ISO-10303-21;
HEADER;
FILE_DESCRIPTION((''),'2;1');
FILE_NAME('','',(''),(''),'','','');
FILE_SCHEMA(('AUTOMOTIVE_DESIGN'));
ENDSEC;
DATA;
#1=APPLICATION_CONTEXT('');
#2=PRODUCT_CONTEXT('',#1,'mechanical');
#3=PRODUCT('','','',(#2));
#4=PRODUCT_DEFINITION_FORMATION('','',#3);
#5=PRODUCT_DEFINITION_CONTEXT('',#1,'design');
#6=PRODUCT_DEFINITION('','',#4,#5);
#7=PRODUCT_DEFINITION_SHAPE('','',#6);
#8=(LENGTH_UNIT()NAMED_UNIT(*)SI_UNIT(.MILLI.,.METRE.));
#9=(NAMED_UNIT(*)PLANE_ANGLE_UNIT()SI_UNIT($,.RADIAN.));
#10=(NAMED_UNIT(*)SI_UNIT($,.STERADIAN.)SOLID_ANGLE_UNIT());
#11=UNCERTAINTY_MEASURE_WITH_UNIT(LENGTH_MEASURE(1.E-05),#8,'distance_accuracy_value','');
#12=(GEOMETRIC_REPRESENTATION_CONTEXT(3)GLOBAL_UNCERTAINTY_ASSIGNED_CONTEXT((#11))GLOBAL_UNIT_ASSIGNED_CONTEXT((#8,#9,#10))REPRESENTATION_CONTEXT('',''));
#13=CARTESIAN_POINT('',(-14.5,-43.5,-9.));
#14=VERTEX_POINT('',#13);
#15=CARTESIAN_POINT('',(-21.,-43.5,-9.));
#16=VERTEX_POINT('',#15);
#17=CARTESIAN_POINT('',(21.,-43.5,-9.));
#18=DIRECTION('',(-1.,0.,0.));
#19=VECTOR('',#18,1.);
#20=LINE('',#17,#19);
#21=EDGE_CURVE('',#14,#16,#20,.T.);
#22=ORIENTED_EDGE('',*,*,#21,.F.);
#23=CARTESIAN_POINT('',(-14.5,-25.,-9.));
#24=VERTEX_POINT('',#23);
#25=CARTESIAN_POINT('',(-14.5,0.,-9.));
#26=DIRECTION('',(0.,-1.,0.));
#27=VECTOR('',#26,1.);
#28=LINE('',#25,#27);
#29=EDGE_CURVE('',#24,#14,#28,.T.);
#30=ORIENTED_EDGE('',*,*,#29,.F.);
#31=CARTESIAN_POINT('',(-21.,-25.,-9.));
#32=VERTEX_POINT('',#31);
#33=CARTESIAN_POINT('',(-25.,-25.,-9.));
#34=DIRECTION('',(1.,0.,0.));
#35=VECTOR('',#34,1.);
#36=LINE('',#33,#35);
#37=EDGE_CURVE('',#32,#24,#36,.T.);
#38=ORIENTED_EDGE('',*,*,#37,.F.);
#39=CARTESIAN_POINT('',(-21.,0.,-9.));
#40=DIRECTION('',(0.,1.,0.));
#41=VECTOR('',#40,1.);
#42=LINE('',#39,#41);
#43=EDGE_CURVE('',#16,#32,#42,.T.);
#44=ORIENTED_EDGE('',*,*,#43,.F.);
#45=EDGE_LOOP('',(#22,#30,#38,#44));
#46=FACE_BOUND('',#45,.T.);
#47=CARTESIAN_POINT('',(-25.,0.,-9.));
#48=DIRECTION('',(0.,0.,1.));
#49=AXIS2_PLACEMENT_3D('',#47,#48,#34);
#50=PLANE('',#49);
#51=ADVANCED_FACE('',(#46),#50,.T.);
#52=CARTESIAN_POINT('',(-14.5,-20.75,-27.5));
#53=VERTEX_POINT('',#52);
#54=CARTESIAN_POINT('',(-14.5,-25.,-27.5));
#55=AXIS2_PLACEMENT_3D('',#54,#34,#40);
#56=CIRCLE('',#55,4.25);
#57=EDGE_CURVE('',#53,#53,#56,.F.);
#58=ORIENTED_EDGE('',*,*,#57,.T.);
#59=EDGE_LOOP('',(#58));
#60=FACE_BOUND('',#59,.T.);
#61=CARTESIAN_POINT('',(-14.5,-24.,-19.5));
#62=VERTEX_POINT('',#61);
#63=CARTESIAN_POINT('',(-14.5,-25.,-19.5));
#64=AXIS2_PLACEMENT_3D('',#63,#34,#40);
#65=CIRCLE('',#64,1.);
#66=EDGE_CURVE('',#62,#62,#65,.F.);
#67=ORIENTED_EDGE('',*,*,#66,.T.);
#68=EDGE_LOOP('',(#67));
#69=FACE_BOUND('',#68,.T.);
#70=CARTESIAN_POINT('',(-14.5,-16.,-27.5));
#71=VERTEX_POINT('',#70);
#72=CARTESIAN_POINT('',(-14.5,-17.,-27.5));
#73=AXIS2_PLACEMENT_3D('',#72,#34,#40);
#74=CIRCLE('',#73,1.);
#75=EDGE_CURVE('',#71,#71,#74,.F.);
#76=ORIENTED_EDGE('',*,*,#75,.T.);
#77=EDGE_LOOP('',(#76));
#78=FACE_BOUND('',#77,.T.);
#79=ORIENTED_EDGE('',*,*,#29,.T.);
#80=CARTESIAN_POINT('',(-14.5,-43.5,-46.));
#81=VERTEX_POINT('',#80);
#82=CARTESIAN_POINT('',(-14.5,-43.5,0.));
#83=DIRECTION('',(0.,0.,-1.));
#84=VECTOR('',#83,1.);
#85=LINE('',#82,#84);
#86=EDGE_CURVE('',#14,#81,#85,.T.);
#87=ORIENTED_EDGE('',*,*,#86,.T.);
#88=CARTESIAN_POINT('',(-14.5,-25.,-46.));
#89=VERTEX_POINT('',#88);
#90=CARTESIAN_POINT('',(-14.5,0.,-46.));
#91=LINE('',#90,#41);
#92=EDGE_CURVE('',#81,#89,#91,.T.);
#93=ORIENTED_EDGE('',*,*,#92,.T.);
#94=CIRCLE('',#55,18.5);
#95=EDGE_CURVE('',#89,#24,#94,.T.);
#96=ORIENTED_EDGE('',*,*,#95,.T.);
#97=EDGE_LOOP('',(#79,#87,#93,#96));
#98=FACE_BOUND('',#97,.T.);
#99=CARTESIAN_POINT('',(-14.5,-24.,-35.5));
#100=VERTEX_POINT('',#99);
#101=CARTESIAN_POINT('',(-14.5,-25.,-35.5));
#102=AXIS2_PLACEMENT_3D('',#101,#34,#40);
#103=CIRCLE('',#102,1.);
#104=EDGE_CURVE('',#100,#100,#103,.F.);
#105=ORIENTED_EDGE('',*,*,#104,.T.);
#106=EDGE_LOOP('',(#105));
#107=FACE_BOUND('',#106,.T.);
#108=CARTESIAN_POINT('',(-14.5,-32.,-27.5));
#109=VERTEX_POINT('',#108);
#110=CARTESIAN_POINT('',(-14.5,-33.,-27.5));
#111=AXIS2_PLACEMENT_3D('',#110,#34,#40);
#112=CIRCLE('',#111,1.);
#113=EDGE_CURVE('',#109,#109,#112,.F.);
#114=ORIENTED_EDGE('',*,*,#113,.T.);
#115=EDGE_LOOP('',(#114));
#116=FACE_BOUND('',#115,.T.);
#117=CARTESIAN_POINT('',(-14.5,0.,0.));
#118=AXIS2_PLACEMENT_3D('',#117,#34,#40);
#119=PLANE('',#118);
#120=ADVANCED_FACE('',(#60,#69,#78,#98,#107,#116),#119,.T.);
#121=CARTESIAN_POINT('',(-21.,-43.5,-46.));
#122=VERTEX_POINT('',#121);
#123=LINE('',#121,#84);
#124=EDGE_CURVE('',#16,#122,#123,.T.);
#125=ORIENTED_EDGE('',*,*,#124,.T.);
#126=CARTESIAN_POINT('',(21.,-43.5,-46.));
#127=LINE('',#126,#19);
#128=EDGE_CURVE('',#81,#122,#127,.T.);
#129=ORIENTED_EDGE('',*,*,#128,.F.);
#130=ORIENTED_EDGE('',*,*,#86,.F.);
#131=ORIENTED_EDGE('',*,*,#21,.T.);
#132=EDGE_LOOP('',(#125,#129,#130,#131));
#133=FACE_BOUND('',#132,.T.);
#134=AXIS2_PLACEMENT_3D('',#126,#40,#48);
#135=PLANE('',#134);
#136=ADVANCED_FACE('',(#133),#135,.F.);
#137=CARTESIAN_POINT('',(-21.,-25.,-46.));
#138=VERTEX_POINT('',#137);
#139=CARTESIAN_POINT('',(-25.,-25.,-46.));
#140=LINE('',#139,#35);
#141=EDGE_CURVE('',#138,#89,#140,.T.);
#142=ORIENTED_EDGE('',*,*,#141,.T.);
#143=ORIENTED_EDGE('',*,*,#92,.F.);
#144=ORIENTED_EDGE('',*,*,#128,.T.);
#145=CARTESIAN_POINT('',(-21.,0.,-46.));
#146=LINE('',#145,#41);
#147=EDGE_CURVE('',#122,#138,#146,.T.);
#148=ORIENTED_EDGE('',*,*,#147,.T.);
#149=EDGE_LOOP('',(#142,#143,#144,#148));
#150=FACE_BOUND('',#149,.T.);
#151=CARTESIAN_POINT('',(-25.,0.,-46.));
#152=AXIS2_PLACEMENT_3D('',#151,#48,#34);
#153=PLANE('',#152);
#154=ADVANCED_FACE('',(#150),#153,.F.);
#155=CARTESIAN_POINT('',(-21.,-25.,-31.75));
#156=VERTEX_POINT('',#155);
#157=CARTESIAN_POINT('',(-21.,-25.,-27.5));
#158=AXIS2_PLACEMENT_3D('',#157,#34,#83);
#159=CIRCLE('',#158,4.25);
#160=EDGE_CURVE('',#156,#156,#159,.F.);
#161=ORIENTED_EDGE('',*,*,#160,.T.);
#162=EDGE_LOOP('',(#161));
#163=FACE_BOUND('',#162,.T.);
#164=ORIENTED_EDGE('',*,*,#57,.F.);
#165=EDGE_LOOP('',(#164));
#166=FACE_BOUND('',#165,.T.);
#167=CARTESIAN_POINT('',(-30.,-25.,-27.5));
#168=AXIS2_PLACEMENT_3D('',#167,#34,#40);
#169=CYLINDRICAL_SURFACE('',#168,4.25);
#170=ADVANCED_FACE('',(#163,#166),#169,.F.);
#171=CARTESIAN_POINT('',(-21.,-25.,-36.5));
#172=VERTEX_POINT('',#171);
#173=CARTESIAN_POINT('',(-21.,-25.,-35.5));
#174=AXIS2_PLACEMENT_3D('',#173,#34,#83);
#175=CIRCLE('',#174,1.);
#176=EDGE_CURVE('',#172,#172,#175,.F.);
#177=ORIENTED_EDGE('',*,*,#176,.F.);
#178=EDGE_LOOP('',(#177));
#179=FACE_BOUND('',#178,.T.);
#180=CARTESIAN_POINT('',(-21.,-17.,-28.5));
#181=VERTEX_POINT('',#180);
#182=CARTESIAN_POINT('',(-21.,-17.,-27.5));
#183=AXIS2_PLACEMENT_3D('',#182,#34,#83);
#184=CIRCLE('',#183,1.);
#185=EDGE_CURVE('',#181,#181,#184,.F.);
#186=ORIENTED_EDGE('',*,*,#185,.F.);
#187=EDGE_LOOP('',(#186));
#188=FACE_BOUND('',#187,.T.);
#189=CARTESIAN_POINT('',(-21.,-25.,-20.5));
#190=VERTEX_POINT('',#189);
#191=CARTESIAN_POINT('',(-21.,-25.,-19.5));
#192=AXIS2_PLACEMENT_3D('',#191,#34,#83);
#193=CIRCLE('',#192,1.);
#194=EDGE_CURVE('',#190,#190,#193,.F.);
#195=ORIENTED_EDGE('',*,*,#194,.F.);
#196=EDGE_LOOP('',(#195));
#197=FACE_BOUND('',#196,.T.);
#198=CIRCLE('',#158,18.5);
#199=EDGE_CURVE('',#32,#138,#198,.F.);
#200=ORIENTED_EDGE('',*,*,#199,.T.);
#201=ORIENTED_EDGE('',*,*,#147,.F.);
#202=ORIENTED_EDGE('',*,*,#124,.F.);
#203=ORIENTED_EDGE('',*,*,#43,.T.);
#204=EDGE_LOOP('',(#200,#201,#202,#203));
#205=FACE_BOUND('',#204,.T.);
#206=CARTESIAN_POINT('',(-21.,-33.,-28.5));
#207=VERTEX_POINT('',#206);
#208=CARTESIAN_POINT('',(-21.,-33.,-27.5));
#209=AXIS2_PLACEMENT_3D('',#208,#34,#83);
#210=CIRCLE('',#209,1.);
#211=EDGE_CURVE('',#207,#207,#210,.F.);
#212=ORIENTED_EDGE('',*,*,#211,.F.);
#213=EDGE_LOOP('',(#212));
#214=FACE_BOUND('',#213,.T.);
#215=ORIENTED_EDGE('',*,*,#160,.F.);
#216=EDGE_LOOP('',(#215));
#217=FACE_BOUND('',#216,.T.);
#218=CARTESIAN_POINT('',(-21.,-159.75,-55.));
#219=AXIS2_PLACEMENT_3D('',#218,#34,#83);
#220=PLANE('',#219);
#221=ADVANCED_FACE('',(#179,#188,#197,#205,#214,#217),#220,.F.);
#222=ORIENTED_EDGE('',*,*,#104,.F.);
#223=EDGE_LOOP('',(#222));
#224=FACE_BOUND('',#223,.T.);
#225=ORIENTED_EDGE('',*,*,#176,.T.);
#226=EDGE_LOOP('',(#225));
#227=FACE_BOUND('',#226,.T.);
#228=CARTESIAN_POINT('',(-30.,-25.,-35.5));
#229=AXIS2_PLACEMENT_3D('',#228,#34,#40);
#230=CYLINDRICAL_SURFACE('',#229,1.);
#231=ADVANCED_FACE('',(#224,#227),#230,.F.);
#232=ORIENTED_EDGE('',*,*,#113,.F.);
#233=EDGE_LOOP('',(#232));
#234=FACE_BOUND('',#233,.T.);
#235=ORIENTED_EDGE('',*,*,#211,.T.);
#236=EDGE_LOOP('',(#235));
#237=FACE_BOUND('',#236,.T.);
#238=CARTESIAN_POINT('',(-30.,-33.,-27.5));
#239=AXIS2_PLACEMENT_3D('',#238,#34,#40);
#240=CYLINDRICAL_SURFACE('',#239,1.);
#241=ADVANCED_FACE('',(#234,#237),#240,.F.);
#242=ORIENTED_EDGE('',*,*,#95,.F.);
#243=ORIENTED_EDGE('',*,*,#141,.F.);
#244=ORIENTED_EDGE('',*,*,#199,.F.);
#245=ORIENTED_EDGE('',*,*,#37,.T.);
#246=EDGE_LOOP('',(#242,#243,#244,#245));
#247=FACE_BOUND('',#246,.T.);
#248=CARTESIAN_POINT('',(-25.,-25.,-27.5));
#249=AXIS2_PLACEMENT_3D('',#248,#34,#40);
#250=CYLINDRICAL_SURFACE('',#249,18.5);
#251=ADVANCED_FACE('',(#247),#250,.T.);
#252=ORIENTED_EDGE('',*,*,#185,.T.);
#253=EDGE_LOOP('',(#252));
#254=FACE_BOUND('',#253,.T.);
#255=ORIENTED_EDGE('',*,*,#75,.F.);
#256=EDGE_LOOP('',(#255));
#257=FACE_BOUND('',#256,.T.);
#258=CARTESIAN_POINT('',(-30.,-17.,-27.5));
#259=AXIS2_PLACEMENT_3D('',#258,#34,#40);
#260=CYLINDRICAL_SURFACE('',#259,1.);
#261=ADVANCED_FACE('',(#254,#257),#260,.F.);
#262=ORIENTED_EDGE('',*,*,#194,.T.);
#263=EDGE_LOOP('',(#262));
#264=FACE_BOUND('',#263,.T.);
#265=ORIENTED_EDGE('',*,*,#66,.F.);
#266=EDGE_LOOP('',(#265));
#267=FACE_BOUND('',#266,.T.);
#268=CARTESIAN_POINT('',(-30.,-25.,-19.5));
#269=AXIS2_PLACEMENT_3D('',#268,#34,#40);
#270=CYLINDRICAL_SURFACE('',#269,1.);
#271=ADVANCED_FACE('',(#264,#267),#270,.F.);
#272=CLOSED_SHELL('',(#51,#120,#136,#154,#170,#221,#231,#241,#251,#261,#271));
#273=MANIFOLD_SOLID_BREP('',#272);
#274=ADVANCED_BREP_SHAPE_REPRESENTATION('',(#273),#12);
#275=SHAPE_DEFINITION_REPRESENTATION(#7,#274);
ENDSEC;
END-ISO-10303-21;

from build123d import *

# Parameters (mm, degrees)
SKETCH1_W               = 50
SKETCH1_H               = 150
BOSS_EXTRUDE1_DEPTH     = 55
CUT_EXTRUDE1_DEPTH      = 168.406690428
CUT_EXTRUDE1_DEPTH_BACK = 45
SKETCH2_R               = 10.25
SKETCH7_R               = 1
SKETCH7_R_2             = 4.25
CUT_EXTRUDE3_DEPTH      = 10
SKETCH8_W               = 55
SKETCH8_H               = 55
SKETCH8_R               = 10.25
BOSS_EXTRUDE2_DEPTH     = 50
SKETCH10_W              = 8
SKETCH10_H              = 10.25
SKETCH10_W_2            = 17
SKETCH10_H_2            = 1
SKETCH10_W_3            = 34
SKETCH10_H_3            = 20
SKETCH10_H_4            = 5
CUT_EXTRUDE4_DEPTH      = 214.717102732
SKETCH11_W              = 34
SKETCH11_H              = 13.25
BOSS_EXTRUDE4_DEPTH     = 25
SKETCH13_W              = 55
SKETCH13_H              = 10
CUT_EXTRUDE5_DEPTH      = 8
SKETCH14_R              = 5.030159043
CUT_EXTRUDE6_DEPTH      = 8
SKETCH15_W              = 34
SKETCH15_H              = 0.25
BOSS_EXTRUDE5_DEPTH     = 13.25
CUT_EXTRUDE7_DEPTH      = 181.416185527
BOSS_EXTRUDE6_START     = 1.5
SKETCH19_R              = 10.25
SKETCH19_R_2            = 1
SKETCH19_R_3            = 4.25
BOSS_EXTRUDE6_DEPTH     = 1.5
CUT_EXTRUDE8_DEPTH      = 184.89467094
SKETCH21_R              = 5.030159043
SKETCH21_R_2            = 4.5
BOSS_EXTRUDE7_DEPTH     = 8
SKETCH24_W              = 4
SKETCH24_H              = 30
CUT_EXTRUDE10_DEPTH     = 181.416185527
SKETCH25_W              = 55
SKETCH25_H              = 86.25
CUT_EXTRUDE11_DEPTH     = 4
BOSS_EXTRUDE8_START     = 4
SKETCH26_R              = 1
SKETCH26_R_2            = 4.25
BOSS_EXTRUDE8_DEPTH     = 4
SKETCH27_W              = 4
SKETCH27_H              = 123.25
CUT_EXTRUDE12_DEPTH     = 181.416185527
CUT_EXTRUDE13_DEPTH     = 180.905530765
SKETCH29_W              = 42
SKETCH29_H              = 9
CUT_EXTRUDE15_DEPTH     = 174.776436838
SKETCH30_R              = 4.5
SKETCH30_R_2            = 1.45
BOSS_EXTRUDE9_DEPTH     = 4
SKETCH31_W              = 37
SKETCH31_H              = 55
CUT_EXTRUDE16_DEPTH     = 182.05247858
SKETCH32_W              = 73.968301754
SKETCH32_H              = 92.223299302
CUT_EXTRUDE17_DEPTH     = 182.05247858


with BuildPart() as part:
    # Sketch1 → Boss-Extrude1 (new body)
    with BuildSketch(Plane.XY):
        with Locations((0, -75)):
            Rectangle(SKETCH1_W, SKETCH1_H)
    extrude(amount=-BOSS_EXTRUDE1_DEPTH)

    # Sketch2 → Cut-Extrude1 (cut, two sides: drawn at the far end of the back side and taken through both)
    with BuildSketch(Plane(origin=(25, 0, 0), x_dir=(0, 0, -1), z_dir=(1, 0, 0)).offset(-CUT_EXTRUDE1_DEPTH_BACK)):
        with Locations(Location((27.5, -25, 0), (0, 0, 270))):
            Circle(SKETCH2_R)
    extrude(amount=CUT_EXTRUDE1_DEPTH + CUT_EXTRUDE1_DEPTH_BACK, mode=Mode.SUBTRACT)

    # Sketch7 → Cut-Extrude3 (cut)
    with BuildSketch(Plane(origin=(-20, 0, 0), x_dir=(0, 0, -1), z_dir=(1, 0, 0))):
        with Locations(Location((27.5, -17, 0), (0, 0, 90))):
            Circle(SKETCH7_R)
        with Locations(Location((35.5, -25, 0), (0, 0, 90))):
            Circle(SKETCH7_R)
        with Locations(Location((27.5, -33, 0), (0, 0, 90))):
            Circle(SKETCH7_R)
        with Locations(Location((19.5, -25, 0), (0, 0, 90))):
            Circle(SKETCH7_R)
        with Locations(Location((27.5, -25, 0), (0, 0, 90))):
            Circle(SKETCH7_R_2)
    extrude(amount=-CUT_EXTRUDE3_DEPTH, mode=Mode.SUBTRACT)

    # Sketch8 → Boss-Extrude2 (add)
    with BuildSketch(Plane(origin=(25, 0, 0), x_dir=(0, 0, -1), z_dir=(1, 0, 0))):
        with Locations((27.5, -177.5)):
            Rectangle(SKETCH8_W, SKETCH8_H)
        with Locations(Location((27.5, -180, 0), (0, 0, 90))):
            Circle(SKETCH8_R, mode=Mode.SUBTRACT)
    extrude(amount=-BOSS_EXTRUDE2_DEPTH)

    # Sketch10 → Cut-Extrude4 (cut, through all)
    with BuildSketch(Plane.XY):
        Polygon((-17, -205), (17, -205), (17, -191.25), (0, -191.25), (-17, -191.25), align=None)
        Polygon((-25, -205), (-17, -205), (-17, -191.25), (-17, -190.25), (-25, -190.25), align=None)
        Polygon((17, -191.25), (17, -205), (25, -205), (25, -190.25), (17, -190.25), align=None)
        with Locations((-21, -185.125)):
            Rectangle(SKETCH10_W, SKETCH10_H)
        with Locations((-21, -174.875)):
            Rectangle(SKETCH10_W, SKETCH10_H)
        with Locations((21, -174.875)):
            Rectangle(SKETCH10_W, SKETCH10_H)
        with Locations((21, -185.125)):
            Rectangle(SKETCH10_W, SKETCH10_H)
        with Locations((-8.5, -185.125)):
            Rectangle(SKETCH10_W_2, SKETCH10_H)
        with Locations((8.5, -185.125)):
            Rectangle(SKETCH10_W_2, SKETCH10_H)
        Polygon((0, -180), (17, -180), (17, -169.75), (-17, -169.75), (-17, -180), align=None)
        with Locations((-8.5, -190.75)):
            Rectangle(SKETCH10_W_2, SKETCH10_H_2)
        with Locations((8.5, -190.75)):
            Rectangle(SKETCH10_W_2, SKETCH10_H_2)
        with Locations((0, -154.75)):
            Rectangle(SKETCH10_W_3, SKETCH10_H_3)
        with Locations((0, -167.25)):
            Rectangle(SKETCH10_W_3, SKETCH10_H_4)
    extrude(amount=-CUT_EXTRUDE4_DEPTH, mode=Mode.SUBTRACT)

    # Sketch11 → Boss-Extrude4 (add)
    with BuildSketch(Plane.XZ.offset(144.75)):
        with Locations((0, -6.625)):
            Rectangle(SKETCH11_W, SKETCH11_H)
        with Locations((0, -48.375)):
            Rectangle(SKETCH11_W, SKETCH11_H)
    extrude(amount=BOSS_EXTRUDE4_DEPTH)

    # Sketch13 → Cut-Extrude5 (cut)
    with BuildSketch(Plane(origin=(25, 0, 0), x_dir=(0, 0, -1), z_dir=(1, 0, 0))):
        with Locations((27.5, -164.75)):
            Rectangle(SKETCH13_W, SKETCH13_H)
    cut_extrude5 = extrude(amount=-CUT_EXTRUDE5_DEPTH, mode=Mode.SUBTRACT)

    # Mirror2: Cut-Extrude5 across plane
    add(cut_extrude5.mirror(Plane(origin=(0, 0, 0), x_dir=(0, 0, 1), z_dir=(1, 0, 0))), mode=Mode.SUBTRACT)

    # Sketch14 → Cut-Extrude6 (cut)
    with BuildSketch(Plane(origin=(25, 0, 0), x_dir=(0, 0, -1), z_dir=(1, 0, 0))):
        with Locations(Location((16.5, -148, 0), (0, 0, 90))):
            Circle(SKETCH14_R)
        with Locations(Location((38.5, -148, 0), (0, 0, 90))):
            Circle(SKETCH14_R)
    cut_extrude6 = extrude(amount=-CUT_EXTRUDE6_DEPTH, mode=Mode.SUBTRACT)

    # Mirror3: Cut-Extrude6 across plane
    add(cut_extrude6.mirror(Plane(origin=(0, 0, 0), x_dir=(0, 0, 1), z_dir=(1, 0, 0))), mode=Mode.SUBTRACT)

    # Sketch15 → Boss-Extrude5 (add)
    with BuildSketch(Plane.XY):
        with Locations((0, -169.875)):
            Rectangle(SKETCH15_W, SKETCH15_H)
    boss_extrude5 = extrude(amount=-BOSS_EXTRUDE5_DEPTH)

    # Mirror4: Boss-Extrude5 across plane
    add(boss_extrude5.mirror(Plane.XY.offset(-27.5)))

    # Sketch16 → Cut-Extrude7 (cut, through all)
    with BuildSketch(Plane.XY):
        Polygon((-18.5, 0), (-18.5, -14.75), (-18.5, -35.25), (-18.5, -43.5), (25, -43.5), (25, 0), align=None)
    extrude(amount=-CUT_EXTRUDE7_DEPTH, mode=Mode.SUBTRACT)

    # Sketch19 → Boss-Extrude6 (add)
    with BuildSketch(Plane(origin=(-20, 0, 0), x_dir=(0, 0, -1), z_dir=(1, 0, 0)).offset(BOSS_EXTRUDE6_START)):
        with Locations((27.5, -25)):
            Circle(SKETCH19_R)
        with Locations(Location((27.5, -17, 0), (0, 0, 90))):
            Circle(SKETCH19_R_2, mode=Mode.SUBTRACT)
        with Locations(Location((27.5, -33, 0), (0, 0, 90))):
            Circle(SKETCH19_R_2, mode=Mode.SUBTRACT)
        with Locations(Location((19.5, -25, 0), (0, 0, 90))):
            Circle(SKETCH19_R_2, mode=Mode.SUBTRACT)
        with Locations(Location((35.5, -25, 0), (0, 0, 90))):
            Circle(SKETCH19_R_2, mode=Mode.SUBTRACT)
        with Locations(Location((27.5, -25, 0), (0, 0, 90))):
            Circle(SKETCH19_R_3, mode=Mode.SUBTRACT)
    extrude(amount=-BOSS_EXTRUDE6_DEPTH)

    # Sketch20 → Cut-Extrude8 (cut, through all)
    with BuildSketch(Plane(origin=(-18.5, 0, 0), x_dir=(0, 0, -1), z_dir=(1, 0, 0))):
        with BuildLine():
            Line((0, 0), (0, -43.5))
            Line((0, -43.5), (9, -43.5))
            Line((9, -43.5), (9, -25))
            ThreePointArc((9, -25), (27.5, -6.5), (46, -25))
            Line((46, -25), (46, -43.5))
            Line((46, -43.5), (55, -43.5))
            Line((55, -43.5), (55, 0))
            Line((55, 0), (0, 0))
        make_face()
    extrude(amount=-CUT_EXTRUDE8_DEPTH, mode=Mode.SUBTRACT)

    # Sketch21 → Boss-Extrude7 (add)
    # profile 1 of 2: a face of its own
    with BuildSketch(Plane(origin=(25, 0, 0), x_dir=(0, 0, -1), z_dir=(1, 0, 0))):
        with Locations(Location((16.5, -148, 0), (0, 0, 229.751587581))):
            Circle(SKETCH21_R)
        with Locations(Location((16.5, -148, 0), (0, 0, 90))):
            Circle(SKETCH21_R_2, mode=Mode.SUBTRACT)
    # profile 2 of 2: a face of its own
    with BuildSketch(Plane(origin=(25, 0, 0), x_dir=(0, 0, -1), z_dir=(1, 0, 0))):
        with Locations(Location((38.5, -148, 0), (0, 0, 310.248412419))):
            Circle(SKETCH21_R)
        with Locations(Location((38.5, -148, 0), (0, 0, 90))):
            Circle(SKETCH21_R_2, mode=Mode.SUBTRACT)
    boss_extrude7 = extrude(amount=-BOSS_EXTRUDE7_DEPTH)

    # Mirror5: Boss-Extrude7 across plane
    add(boss_extrude7.mirror(Plane(origin=(0, 0, 0), x_dir=(0, 0, 1), z_dir=(1, 0, 0))))

    # Sketch24 → Cut-Extrude10 (cut, through all)
    with BuildSketch(Plane.XY):
        with Locations((-23, -144.75)):
            Rectangle(SKETCH24_W, SKETCH24_H)
        with Locations((23, -144.75)):
            Rectangle(SKETCH24_W, SKETCH24_H)
    extrude(amount=-CUT_EXTRUDE10_DEPTH, mode=Mode.SUBTRACT)

    # Sketch25 → Cut-Extrude11 (cut)
    with BuildSketch(Plane(origin=(25, 0, 0), x_dir=(0, 0, -1), z_dir=(1, 0, 0))):
        with Locations((27.5, -86.625)):
            Rectangle(SKETCH25_W, SKETCH25_H)
    extrude(amount=-CUT_EXTRUDE11_DEPTH, mode=Mode.SUBTRACT)

    # Sketch26 → Boss-Extrude8 (add)
    with BuildSketch(Plane(origin=(-18.5, 0, 0), x_dir=(0, 0, -1), z_dir=(1, 0, 0)).offset(BOSS_EXTRUDE8_START)):
        with BuildLine():
            Line((46, -43.5), (46, -25))
            ThreePointArc((46, -25), (27.5, -6.5), (9, -25))
            Line((9, -25), (9, -43.5))
            Line((9, -43.5), (46, -43.5))
        make_face()
        with Locations(Location((35.5, -25, 0), (0, 0, 90))):
            Circle(SKETCH26_R, mode=Mode.SUBTRACT)
        with Locations(Location((27.5, -25, 0), (0, 0, 90))):
            Circle(SKETCH26_R_2, mode=Mode.SUBTRACT)
        with Locations(Location((19.5, -25, 0), (0, 0, 90))):
            Circle(SKETCH26_R, mode=Mode.SUBTRACT)
        with Locations(Location((27.5, -33, 0), (0, 0, 90))):
            Circle(SKETCH26_R, mode=Mode.SUBTRACT)
        with Locations(Location((27.5, -17, 0), (0, 0, 90))):
            Circle(SKETCH26_R, mode=Mode.SUBTRACT)
    extrude(amount=-BOSS_EXTRUDE8_DEPTH)

    # Sketch27 → Cut-Extrude12 (cut, through all)
    with BuildSketch(Plane.XY):
        with Locations((-23, -68.125)):
            Rectangle(SKETCH27_W, SKETCH27_H)
    extrude(amount=-CUT_EXTRUDE12_DEPTH, mode=Mode.SUBTRACT)

    # Sketch28 → Cut-Extrude13 (cut, through all)
    with BuildSketch(Plane.XY):
        with BuildLine():
            Line((21, -43.5), (-14.5, -43.5))
            ThreePointArc((-14.5, -43.5), (10.602290732, -53.897709268), (21, -79))
            Line((21, -79), (21, -43.5))
        make_face()
    extrude(amount=-CUT_EXTRUDE13_DEPTH, mode=Mode.SUBTRACT)

    # Sketch29 → Cut-Extrude15 (cut, through all)
    with BuildSketch(Plane.XZ.offset(170)):
        with Locations((0, -50.5)):
            Rectangle(SKETCH29_W, SKETCH29_H)
        with Locations((0, -4.5)):
            Rectangle(SKETCH29_W, SKETCH29_H)
    extrude(amount=-CUT_EXTRUDE15_DEPTH, mode=Mode.SUBTRACT)

    # Sketch30 → Boss-Extrude9 (add)
    # profile 1 of 2: a face of its own
    with BuildSketch(Plane(origin=(21, 0, 0), x_dir=(0, 0, -1), z_dir=(1, 0, 0))):
        with Locations(Location((16.5, -148, 0), (0, 0, 223.761742693))):
            Circle(SKETCH30_R)
        with Locations((16.5, -148)):
            Circle(SKETCH30_R_2, mode=Mode.SUBTRACT)
    # profile 2 of 2: a face of its own
    with BuildSketch(Plane(origin=(21, 0, 0), x_dir=(0, 0, -1), z_dir=(1, 0, 0))):
        with Locations(Location((38.5, -148, 0), (0, 0, 316.238257307))):
            Circle(SKETCH30_R)
        with Locations((38.5, -148)):
            Circle(SKETCH30_R_2, mode=Mode.SUBTRACT)
    boss_extrude9 = extrude(amount=-BOSS_EXTRUDE9_DEPTH)

    # Mirror6: Boss-Extrude9 across plane
    add(boss_extrude9.mirror(Plane(origin=(0, 0, 0), x_dir=(0, 0, 1), z_dir=(1, 0, 0))))

    # Sketch31 → Cut-Extrude16 (cut, through all)
    with BuildSketch(Plane.ZY.offset(21)):
        with Locations((-27.5, -71)):
            Rectangle(SKETCH31_W, SKETCH31_H)
    extrude(amount=-CUT_EXTRUDE16_DEPTH, mode=Mode.SUBTRACT)


with BuildPart() as cut_extrude16_piece_1:
    # of the separate pieces the step leaves, piece 1, a body of its own (cut_extrude16_pieces)
    add(part.part.solids().sort_by_distance((17, -170, -13.25))[0])

    # Sketch32 → Cut-Extrude17 (cut, through all)
    with BuildSketch(Plane.ZY.offset(21)):
        with Locations((-28.833527464, -129.267729309)):
            Rectangle(SKETCH32_W, SKETCH32_H)
    extrude(amount=-CUT_EXTRUDE17_DEPTH, mode=Mode.SUBTRACT)


with BuildPart() as cut_extrude16_piece_2:
    # of the separate pieces the step leaves, piece 2, a body of its own (cut_extrude16_pieces)
    add(part.part.solids().sort_by_distance((-21, -43.5, -9))[0])


solid = cut_extrude16_piece_2.part
